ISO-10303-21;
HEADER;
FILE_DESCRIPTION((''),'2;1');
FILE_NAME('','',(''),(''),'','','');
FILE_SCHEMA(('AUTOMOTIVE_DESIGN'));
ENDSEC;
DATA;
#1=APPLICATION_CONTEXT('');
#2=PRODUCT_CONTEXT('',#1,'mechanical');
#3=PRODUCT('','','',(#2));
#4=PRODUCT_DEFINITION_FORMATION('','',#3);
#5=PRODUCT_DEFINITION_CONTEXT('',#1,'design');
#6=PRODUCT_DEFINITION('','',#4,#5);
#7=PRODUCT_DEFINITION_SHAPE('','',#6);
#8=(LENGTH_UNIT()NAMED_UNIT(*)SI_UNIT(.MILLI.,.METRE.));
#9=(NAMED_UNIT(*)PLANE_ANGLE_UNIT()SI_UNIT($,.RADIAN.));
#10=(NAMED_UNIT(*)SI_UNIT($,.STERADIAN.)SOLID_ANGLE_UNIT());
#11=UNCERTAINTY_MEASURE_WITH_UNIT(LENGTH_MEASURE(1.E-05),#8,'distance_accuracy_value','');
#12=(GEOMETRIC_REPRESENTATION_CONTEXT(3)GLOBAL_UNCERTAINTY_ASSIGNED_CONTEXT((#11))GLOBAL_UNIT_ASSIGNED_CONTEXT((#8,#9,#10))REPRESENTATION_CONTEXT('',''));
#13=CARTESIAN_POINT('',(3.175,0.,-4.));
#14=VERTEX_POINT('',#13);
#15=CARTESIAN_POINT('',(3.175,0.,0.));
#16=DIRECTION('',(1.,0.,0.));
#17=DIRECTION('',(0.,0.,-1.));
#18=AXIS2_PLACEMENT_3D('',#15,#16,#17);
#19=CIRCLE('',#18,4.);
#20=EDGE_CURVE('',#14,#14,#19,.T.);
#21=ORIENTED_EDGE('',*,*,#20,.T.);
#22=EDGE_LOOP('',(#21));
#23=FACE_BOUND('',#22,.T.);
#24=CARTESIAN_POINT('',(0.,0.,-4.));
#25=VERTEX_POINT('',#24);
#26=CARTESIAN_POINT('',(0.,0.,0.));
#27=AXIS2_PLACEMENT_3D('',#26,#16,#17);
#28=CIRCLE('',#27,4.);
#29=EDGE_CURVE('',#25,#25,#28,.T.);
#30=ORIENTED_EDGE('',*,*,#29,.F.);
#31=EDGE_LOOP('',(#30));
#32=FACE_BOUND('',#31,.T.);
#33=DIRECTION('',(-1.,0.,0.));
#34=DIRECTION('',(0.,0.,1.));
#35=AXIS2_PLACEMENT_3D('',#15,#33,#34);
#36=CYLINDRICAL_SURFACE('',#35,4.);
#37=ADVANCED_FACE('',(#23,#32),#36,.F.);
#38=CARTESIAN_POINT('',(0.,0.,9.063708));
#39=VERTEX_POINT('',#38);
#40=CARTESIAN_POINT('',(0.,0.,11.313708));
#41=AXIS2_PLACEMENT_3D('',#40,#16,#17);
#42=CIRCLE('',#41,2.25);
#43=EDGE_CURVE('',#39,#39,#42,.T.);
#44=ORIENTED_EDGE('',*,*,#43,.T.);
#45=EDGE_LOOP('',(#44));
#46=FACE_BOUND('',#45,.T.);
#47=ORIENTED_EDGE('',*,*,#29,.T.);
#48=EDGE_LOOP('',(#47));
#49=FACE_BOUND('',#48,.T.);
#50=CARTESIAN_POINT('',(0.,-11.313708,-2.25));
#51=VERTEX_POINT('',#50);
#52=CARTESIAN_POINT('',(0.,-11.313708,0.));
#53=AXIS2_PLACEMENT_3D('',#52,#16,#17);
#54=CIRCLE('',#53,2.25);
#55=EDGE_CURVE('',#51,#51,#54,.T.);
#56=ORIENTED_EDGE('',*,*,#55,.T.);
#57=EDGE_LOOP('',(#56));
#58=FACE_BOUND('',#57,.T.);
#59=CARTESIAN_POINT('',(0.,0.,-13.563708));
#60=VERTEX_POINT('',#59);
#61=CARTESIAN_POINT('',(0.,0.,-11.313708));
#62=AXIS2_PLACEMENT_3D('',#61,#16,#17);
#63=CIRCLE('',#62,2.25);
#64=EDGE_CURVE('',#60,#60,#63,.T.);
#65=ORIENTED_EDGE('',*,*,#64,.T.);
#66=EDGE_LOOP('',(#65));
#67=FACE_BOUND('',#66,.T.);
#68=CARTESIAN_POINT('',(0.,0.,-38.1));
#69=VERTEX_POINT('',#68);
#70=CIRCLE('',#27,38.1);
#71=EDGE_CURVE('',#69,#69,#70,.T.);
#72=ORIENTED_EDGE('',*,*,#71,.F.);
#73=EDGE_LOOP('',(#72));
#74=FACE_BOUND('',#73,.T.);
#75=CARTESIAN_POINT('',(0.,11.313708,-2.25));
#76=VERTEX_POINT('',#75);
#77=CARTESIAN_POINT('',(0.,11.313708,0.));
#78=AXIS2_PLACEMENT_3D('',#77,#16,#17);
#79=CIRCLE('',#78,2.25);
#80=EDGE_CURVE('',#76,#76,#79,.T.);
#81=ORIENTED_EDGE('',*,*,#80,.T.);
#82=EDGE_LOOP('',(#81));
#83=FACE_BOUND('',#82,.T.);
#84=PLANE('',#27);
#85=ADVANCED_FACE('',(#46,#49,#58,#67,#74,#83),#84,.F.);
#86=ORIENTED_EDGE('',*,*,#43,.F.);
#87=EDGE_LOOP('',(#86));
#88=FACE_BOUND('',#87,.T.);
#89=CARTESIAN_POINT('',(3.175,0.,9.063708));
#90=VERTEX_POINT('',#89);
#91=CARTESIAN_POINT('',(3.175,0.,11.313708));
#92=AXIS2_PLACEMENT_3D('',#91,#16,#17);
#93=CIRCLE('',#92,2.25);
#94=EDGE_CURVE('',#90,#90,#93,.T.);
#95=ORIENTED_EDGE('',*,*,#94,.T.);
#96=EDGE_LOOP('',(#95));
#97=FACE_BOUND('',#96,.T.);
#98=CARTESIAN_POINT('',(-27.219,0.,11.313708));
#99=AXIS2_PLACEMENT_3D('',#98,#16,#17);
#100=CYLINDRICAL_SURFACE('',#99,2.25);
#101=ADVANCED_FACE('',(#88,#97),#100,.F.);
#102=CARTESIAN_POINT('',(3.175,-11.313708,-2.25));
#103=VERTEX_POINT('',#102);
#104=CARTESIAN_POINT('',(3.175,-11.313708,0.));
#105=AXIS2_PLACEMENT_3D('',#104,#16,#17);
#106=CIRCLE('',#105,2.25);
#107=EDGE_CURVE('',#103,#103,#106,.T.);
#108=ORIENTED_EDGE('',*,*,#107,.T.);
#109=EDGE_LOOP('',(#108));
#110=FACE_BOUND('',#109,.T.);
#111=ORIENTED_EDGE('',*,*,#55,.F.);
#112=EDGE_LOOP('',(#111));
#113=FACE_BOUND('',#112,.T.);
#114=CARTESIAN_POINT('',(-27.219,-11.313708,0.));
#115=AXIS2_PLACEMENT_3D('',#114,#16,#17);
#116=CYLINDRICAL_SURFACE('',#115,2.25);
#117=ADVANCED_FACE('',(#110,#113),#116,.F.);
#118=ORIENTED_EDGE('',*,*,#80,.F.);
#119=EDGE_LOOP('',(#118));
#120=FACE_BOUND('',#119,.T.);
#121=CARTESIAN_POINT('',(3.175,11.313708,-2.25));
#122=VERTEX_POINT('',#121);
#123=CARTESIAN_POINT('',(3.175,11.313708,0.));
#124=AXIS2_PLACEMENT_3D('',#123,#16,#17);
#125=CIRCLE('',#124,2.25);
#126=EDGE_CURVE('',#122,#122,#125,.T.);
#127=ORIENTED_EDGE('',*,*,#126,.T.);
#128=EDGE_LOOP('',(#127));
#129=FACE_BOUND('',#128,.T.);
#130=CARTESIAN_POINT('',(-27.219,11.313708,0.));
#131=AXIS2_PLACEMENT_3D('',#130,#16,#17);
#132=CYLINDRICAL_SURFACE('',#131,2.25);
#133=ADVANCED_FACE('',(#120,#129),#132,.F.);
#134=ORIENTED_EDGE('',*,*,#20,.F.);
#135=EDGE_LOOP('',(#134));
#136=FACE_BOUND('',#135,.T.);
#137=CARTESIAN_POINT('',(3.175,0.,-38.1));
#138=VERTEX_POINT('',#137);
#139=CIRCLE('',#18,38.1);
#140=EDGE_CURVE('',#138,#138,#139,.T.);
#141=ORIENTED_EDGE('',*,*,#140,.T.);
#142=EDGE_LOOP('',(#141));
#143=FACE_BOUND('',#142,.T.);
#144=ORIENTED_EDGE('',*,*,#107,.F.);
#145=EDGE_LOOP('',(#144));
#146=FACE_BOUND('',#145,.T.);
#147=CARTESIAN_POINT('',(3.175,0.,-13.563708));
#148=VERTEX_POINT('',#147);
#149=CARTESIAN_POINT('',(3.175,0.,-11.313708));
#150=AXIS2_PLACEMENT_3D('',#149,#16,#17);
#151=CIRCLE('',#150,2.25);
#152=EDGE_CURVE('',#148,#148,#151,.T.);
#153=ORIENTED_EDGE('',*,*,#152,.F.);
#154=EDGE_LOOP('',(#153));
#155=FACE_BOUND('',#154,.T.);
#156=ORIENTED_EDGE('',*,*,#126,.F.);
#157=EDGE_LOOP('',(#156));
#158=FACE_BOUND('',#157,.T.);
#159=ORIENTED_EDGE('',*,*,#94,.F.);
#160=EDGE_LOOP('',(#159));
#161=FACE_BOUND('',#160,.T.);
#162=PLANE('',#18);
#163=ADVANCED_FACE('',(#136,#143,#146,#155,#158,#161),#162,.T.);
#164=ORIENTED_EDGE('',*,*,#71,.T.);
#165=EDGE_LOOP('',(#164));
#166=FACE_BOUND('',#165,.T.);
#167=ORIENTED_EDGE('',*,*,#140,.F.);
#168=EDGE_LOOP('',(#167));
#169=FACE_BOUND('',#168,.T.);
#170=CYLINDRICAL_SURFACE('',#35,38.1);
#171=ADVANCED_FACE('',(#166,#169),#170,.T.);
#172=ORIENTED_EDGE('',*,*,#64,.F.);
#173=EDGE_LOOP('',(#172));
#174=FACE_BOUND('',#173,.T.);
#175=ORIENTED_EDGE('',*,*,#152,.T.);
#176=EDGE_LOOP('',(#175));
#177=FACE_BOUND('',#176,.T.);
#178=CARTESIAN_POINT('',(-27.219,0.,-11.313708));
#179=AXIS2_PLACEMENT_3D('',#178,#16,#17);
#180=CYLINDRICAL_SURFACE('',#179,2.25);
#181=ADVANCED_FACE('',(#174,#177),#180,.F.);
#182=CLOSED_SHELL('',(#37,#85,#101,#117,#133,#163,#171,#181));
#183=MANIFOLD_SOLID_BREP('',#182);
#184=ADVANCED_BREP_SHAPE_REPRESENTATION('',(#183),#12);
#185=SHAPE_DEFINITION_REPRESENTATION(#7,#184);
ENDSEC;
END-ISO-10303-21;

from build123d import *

# Parameters (mm, degrees)
SKETCH1_R           = 38.1
SKETCH1_R_2         = 4
BOSS_EXTRUDE2_DEPTH = 3.175
SKETCH4_R           = 2.25
CUT_EXTRUDE3_DEPTH  = 30.394


with BuildPart() as part:
    # Sketch1 → Boss-Extrude2 (new body)
    with BuildSketch(Plane.YZ):
        with Locations(Location((0, 0, 0), (0, 0, 270))):
            Circle(SKETCH1_R)
        with Locations(Location((0, 0, 0), (0, 0, 270))):
            Circle(SKETCH1_R_2, mode=Mode.SUBTRACT)
    extrude(amount=BOSS_EXTRUDE2_DEPTH)

    # Sketch4 → Cut-Extrude3 (cut)
    with BuildSketch(Plane.YZ.offset(3.175)):
        with Locations(Location((0, 11.313708499, 0), (0, 0, 270))):
            Circle(SKETCH4_R)
        with Locations(Location((11.313708499, 0, 0), (0, 0, 270))):
            Circle(SKETCH4_R)
        with Locations(Location((-11.313708499, 0, 0), (0, 0, 270))):
            Circle(SKETCH4_R)
        with Locations(Location((0, -11.313708499, 0), (0, 0, 270))):
            Circle(SKETCH4_R)
    extrude(amount=-CUT_EXTRUDE3_DEPTH, mode=Mode.SUBTRACT)


solid = part.part
